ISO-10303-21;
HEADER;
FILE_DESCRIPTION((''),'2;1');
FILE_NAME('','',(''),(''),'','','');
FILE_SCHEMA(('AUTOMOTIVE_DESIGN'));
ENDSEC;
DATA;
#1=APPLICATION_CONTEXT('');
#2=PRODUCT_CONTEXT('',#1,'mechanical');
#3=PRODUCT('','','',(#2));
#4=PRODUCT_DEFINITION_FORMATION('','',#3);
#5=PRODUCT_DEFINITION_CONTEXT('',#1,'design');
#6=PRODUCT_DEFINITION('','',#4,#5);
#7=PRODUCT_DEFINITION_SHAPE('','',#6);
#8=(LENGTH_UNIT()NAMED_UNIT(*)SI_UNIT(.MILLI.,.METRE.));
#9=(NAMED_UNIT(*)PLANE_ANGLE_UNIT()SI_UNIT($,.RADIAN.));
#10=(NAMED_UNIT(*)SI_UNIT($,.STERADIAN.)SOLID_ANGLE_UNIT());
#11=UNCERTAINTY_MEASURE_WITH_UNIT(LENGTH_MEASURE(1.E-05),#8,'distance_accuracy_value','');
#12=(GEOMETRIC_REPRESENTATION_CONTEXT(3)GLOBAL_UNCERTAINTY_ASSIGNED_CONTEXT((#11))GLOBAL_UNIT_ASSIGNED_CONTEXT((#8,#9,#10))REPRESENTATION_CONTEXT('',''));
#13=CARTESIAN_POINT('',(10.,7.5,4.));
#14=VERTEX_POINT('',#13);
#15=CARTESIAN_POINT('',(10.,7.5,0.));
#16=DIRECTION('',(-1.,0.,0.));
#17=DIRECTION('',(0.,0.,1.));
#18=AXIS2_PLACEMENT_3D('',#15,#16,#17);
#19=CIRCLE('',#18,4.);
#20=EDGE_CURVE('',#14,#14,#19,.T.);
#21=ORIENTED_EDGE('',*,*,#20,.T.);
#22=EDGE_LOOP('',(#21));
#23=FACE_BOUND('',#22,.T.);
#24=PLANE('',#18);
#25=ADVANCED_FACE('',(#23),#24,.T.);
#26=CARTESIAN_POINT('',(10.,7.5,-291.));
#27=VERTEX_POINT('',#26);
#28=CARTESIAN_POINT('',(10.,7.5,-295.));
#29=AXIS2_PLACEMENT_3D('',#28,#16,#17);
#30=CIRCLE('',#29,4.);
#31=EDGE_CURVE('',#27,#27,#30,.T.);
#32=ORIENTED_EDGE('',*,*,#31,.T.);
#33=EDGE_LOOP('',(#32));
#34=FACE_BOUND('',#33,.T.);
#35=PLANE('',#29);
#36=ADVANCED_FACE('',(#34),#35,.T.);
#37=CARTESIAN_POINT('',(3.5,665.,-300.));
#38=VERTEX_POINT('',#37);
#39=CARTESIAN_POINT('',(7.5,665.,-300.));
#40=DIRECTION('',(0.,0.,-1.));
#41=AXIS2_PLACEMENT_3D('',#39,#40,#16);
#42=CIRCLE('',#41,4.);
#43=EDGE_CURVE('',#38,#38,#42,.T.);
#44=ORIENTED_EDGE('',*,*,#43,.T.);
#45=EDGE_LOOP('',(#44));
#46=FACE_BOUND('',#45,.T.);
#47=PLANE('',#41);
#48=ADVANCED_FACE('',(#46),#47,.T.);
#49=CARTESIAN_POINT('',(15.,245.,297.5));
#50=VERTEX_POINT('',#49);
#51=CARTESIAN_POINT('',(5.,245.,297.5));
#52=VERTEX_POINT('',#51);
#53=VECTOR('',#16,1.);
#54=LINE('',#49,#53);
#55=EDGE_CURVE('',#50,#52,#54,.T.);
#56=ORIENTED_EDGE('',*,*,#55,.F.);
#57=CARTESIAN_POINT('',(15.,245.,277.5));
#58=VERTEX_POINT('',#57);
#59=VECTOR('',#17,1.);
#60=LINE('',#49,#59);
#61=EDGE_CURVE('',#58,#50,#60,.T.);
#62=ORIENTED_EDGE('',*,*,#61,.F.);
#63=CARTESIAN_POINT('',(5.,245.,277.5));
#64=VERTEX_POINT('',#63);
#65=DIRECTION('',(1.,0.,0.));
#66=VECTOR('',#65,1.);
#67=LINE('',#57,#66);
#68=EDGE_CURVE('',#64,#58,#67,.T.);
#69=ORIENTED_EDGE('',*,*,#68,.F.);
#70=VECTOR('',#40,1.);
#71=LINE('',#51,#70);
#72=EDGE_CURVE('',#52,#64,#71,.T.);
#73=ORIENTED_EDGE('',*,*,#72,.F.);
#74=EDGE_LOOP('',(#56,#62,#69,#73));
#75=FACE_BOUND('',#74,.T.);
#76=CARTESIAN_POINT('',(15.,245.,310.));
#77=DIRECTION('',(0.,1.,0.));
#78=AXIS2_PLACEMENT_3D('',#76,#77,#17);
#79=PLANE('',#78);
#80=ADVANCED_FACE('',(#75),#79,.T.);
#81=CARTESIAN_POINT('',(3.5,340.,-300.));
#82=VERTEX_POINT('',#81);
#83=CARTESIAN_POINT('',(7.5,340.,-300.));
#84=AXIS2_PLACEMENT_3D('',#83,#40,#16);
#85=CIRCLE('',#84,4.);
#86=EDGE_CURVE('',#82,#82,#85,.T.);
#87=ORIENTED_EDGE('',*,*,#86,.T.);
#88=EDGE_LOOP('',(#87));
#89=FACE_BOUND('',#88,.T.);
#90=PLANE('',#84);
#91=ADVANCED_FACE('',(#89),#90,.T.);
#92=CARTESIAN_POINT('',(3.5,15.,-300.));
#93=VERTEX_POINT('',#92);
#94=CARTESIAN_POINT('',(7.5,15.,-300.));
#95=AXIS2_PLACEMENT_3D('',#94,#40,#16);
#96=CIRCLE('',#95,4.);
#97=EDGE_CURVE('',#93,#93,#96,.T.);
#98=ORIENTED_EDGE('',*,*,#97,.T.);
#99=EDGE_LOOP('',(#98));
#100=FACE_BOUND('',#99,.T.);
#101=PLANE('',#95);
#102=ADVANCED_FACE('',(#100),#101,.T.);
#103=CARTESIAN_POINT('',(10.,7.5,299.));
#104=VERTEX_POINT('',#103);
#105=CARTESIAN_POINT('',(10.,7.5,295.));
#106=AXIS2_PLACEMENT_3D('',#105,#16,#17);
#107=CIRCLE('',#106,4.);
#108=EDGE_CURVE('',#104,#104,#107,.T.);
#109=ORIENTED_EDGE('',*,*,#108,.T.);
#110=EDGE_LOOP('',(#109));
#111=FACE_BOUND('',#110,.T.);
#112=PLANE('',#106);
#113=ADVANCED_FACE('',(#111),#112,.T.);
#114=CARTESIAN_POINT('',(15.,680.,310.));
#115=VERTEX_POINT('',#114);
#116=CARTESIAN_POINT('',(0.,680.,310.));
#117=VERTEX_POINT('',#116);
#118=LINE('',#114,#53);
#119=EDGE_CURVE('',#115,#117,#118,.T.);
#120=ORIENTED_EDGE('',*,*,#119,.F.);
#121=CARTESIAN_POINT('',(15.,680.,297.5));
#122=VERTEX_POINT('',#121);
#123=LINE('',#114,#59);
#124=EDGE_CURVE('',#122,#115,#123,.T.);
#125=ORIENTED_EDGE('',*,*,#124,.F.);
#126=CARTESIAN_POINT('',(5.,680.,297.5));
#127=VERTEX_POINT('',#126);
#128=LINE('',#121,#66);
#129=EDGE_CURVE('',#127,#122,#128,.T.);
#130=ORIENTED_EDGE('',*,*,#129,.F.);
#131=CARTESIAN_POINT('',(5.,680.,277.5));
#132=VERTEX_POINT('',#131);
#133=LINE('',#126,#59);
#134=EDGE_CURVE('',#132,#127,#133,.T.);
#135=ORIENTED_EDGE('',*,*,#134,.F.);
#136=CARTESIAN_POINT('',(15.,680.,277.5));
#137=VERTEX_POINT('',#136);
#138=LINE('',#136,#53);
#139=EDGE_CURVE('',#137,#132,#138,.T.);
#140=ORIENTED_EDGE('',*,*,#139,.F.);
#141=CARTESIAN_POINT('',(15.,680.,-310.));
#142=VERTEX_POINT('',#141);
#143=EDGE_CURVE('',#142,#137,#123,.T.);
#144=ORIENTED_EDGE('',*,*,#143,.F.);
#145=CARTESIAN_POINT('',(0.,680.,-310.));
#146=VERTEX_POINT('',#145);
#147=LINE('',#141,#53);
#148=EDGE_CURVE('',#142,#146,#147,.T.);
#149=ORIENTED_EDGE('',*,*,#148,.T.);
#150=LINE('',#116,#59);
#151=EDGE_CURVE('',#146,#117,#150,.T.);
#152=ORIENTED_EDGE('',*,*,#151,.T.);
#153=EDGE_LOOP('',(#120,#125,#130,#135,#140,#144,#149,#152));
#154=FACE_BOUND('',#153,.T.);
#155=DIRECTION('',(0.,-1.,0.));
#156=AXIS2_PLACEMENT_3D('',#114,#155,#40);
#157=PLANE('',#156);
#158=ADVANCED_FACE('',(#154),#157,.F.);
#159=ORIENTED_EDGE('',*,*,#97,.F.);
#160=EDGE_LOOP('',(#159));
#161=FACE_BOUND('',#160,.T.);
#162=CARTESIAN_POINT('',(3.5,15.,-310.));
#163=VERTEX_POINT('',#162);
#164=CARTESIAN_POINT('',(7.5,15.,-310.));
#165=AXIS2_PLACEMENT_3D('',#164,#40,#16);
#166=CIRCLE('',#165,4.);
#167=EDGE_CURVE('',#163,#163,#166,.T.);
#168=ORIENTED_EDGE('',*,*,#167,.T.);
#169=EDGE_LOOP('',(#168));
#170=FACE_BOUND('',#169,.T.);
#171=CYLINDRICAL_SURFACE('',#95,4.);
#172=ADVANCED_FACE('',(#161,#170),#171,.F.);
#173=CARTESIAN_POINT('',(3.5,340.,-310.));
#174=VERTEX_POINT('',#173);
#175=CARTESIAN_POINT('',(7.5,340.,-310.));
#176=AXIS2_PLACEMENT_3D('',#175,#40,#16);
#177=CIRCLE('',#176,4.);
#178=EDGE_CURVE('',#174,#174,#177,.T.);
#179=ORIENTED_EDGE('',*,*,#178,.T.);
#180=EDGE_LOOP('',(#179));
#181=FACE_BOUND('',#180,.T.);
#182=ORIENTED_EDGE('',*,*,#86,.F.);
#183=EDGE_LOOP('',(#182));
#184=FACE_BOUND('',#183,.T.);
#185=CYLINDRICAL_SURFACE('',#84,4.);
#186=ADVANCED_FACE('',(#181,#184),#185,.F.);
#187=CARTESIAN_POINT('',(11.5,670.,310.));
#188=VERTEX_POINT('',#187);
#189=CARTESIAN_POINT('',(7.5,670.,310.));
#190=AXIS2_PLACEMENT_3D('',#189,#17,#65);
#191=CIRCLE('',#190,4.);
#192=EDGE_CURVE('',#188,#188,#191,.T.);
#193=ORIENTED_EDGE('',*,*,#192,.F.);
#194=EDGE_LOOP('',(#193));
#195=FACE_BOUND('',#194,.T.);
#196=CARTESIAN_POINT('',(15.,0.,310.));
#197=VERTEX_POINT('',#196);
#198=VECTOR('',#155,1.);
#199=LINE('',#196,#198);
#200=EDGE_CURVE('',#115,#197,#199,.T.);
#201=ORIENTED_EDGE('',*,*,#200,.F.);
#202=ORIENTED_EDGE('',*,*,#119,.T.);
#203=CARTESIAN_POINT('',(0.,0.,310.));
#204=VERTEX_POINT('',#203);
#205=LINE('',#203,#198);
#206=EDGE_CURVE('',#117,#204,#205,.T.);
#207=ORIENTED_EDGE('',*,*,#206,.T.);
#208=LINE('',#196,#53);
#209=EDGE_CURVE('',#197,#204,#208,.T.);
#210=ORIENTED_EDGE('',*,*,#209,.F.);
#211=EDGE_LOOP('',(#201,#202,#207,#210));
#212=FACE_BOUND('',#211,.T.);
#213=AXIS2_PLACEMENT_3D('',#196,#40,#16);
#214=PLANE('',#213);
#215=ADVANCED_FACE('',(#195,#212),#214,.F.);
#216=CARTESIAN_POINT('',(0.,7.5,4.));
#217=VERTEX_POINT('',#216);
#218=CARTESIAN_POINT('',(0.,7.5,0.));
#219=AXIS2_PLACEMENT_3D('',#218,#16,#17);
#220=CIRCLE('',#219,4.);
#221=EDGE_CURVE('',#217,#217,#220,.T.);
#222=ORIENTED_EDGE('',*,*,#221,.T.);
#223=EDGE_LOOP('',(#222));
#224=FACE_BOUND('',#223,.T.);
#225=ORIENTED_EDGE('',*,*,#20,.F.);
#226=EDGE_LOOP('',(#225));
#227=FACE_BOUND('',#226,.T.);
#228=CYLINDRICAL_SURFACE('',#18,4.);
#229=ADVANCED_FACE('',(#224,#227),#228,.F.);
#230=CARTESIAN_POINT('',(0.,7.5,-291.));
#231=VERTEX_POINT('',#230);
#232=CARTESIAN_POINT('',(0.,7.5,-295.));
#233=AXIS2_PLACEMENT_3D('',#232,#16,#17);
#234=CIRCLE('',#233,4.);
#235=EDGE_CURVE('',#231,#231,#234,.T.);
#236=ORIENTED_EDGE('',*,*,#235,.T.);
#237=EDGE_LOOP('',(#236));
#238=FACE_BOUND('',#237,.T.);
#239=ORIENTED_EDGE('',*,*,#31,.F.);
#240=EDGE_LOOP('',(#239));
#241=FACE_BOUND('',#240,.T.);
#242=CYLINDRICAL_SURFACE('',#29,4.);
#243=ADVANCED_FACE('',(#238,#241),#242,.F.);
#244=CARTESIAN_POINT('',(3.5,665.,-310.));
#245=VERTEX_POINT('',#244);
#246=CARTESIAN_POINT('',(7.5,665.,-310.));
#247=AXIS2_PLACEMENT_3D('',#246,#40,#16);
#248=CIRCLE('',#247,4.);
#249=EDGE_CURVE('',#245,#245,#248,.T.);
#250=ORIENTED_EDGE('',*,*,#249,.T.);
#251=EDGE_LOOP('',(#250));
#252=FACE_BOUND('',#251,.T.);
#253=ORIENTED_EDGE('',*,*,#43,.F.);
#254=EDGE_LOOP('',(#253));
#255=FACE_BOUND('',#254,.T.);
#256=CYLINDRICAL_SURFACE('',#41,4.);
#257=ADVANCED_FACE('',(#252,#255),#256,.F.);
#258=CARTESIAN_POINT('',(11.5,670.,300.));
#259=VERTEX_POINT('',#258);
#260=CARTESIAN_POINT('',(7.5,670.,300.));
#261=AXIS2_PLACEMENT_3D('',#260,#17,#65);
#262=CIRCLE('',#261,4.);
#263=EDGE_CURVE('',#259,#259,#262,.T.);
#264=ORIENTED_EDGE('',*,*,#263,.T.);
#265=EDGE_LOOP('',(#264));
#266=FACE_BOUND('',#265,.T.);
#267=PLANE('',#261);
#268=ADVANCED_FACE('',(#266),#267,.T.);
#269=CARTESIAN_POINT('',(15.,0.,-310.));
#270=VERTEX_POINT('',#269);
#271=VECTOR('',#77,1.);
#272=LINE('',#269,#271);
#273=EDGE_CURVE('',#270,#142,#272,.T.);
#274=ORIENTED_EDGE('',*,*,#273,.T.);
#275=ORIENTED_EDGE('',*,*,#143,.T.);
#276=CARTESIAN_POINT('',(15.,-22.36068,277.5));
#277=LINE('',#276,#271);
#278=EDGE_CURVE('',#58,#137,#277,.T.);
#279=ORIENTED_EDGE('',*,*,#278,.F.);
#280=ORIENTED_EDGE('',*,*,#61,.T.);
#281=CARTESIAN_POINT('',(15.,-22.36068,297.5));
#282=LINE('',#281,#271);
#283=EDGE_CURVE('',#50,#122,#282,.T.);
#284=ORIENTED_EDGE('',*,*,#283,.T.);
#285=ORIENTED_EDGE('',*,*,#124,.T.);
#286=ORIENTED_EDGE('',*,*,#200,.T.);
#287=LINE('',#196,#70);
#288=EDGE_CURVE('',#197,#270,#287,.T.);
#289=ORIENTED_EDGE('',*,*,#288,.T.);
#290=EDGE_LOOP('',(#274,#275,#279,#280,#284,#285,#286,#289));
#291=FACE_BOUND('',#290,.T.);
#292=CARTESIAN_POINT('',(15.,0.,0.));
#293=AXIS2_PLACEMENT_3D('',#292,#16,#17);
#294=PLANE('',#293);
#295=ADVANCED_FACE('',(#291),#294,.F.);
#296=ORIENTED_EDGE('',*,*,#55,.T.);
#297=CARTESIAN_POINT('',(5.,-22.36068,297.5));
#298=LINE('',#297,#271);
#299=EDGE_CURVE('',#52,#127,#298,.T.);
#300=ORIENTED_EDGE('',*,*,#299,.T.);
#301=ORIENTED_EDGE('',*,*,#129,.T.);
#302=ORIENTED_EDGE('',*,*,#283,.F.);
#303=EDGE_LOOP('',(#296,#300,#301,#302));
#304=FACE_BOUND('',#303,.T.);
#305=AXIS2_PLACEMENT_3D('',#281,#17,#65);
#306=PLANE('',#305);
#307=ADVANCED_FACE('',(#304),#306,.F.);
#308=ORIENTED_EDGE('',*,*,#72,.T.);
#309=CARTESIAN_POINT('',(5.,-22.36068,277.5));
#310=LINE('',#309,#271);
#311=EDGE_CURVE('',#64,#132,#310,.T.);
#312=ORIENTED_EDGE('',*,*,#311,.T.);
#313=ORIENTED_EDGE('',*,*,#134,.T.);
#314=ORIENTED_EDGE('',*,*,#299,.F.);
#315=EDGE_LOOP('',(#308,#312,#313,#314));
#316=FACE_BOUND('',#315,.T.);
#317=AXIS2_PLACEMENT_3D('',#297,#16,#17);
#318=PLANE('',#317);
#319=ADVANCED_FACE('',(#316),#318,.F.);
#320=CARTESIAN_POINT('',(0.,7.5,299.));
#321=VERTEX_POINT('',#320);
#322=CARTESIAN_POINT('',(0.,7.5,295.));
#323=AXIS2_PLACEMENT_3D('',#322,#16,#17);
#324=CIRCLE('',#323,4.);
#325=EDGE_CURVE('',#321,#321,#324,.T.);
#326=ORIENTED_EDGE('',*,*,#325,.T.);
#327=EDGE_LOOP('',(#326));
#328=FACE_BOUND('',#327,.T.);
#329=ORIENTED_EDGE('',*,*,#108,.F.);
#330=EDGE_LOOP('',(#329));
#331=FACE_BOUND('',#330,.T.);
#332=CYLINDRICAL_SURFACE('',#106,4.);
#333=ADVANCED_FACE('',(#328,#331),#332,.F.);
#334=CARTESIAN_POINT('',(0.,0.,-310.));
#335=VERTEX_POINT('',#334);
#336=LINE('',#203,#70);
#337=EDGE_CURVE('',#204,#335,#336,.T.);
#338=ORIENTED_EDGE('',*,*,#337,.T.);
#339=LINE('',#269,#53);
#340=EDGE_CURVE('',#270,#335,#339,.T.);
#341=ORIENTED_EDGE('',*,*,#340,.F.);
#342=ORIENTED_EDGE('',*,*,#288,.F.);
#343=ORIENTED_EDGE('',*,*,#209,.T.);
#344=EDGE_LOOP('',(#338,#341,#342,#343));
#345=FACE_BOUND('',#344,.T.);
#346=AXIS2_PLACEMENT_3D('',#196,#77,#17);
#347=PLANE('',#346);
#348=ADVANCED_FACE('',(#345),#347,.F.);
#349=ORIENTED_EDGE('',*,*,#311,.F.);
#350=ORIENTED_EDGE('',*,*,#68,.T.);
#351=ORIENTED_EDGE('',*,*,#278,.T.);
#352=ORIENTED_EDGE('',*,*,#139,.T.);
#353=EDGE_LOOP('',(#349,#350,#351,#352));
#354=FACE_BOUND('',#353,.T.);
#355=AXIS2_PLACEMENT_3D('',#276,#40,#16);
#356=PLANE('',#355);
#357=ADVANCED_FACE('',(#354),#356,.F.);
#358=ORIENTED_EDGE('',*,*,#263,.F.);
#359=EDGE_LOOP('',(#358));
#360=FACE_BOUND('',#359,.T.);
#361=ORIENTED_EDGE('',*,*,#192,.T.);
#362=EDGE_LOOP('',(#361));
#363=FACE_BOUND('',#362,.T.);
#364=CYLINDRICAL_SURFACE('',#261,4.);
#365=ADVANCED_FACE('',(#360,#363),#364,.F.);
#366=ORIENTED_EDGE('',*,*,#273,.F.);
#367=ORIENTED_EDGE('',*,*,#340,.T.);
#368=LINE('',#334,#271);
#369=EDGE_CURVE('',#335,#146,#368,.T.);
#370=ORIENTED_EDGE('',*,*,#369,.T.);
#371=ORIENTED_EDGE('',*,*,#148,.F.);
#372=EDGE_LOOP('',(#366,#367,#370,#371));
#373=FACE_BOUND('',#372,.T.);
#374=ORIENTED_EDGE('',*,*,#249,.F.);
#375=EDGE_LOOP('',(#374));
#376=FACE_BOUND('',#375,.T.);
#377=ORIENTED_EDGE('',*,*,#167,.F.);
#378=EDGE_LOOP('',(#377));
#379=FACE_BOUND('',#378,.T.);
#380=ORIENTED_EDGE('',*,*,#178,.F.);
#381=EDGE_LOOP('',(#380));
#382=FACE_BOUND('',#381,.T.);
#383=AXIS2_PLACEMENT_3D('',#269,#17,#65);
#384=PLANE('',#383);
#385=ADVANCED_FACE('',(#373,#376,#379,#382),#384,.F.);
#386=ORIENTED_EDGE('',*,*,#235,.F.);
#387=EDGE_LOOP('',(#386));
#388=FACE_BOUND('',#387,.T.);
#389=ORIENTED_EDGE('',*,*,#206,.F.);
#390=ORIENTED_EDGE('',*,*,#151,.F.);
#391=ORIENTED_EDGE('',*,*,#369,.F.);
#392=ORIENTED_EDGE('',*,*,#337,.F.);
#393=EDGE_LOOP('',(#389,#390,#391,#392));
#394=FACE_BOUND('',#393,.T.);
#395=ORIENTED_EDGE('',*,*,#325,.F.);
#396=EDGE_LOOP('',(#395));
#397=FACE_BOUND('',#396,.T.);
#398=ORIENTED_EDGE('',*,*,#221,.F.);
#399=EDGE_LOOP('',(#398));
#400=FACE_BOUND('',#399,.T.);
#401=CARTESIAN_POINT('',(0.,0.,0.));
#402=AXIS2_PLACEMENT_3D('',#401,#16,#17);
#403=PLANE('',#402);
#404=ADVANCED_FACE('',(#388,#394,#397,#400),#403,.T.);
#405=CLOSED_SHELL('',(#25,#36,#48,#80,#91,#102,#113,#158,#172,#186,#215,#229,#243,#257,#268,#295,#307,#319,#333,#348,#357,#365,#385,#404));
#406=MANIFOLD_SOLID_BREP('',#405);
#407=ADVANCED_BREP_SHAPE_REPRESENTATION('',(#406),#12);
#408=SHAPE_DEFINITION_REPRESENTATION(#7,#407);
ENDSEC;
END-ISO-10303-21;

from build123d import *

# Parameters (mm, degrees)
SKETCH1_W           = 620
SKETCH1_H           = 680
BOSS_EXTRUDE1_DEPTH = 15
SKETCH2_R           = 4
CUT_EXTRUDE1_DEPTH  = 10
LPATTERN1_COUNT     = 3
LPATTERN1_PITCH     = 295
SKETCH3_R           = 4
CUT_EXTRUDE2_DEPTH  = 10
LPATTERN2_COUNT     = 3
LPATTERN2_PITCH     = 325
SKETCH7_R           = 4
CUT_EXTRUDE7_DEPTH  = 10
SKETCH8_W           = 10
SKETCH8_H           = 20
CUT_EXTRUDE8_DEPTH  = 435


with BuildPart() as part:
    # Sketch1 → Boss-Extrude1 (new body)
    with BuildSketch(Plane(origin=(0, 0, 0), x_dir=(0, 0, -1), z_dir=(1, 0, 0))):
        with Locations((0, 340)):
            Rectangle(SKETCH1_W, SKETCH1_H)
    extrude(amount=BOSS_EXTRUDE1_DEPTH)

    # Sketch2 → Cut-Extrude1 (cut)
    with BuildSketch(Plane.ZY):
        with Locations((295, 7.5)):
            Circle(SKETCH2_R)
    cut_extrude1 = extrude(amount=-CUT_EXTRUDE1_DEPTH, mode=Mode.SUBTRACT)

    # LPattern1: Cut-Extrude1 ×3
    with Locations(*[(0, 0, -i * LPATTERN1_PITCH) for i in range(1, LPATTERN1_COUNT)]):
        add(cut_extrude1, mode=Mode.SUBTRACT)

    # Sketch3 → Cut-Extrude2 (cut)
    with BuildSketch(Plane(origin=(0, 0, -310), x_dir=(-1, 0, 0), z_dir=(0, 0, -1))):
        with Locations((-7.5, 15)):
            Circle(SKETCH3_R)
    cut_extrude2 = extrude(amount=-CUT_EXTRUDE2_DEPTH, mode=Mode.SUBTRACT)

    # LPattern2: Cut-Extrude2 ×3
    with Locations(*[(0, i * LPATTERN2_PITCH, 0) for i in range(1, LPATTERN2_COUNT)]):
        add(cut_extrude2, mode=Mode.SUBTRACT)

    # Sketch7 → Cut-Extrude7 (cut)
    with BuildSketch(Plane.XY.offset(310)):
        with Locations((7.5, 670)):
            Circle(SKETCH7_R)
    extrude(amount=-CUT_EXTRUDE7_DEPTH, mode=Mode.SUBTRACT)

    # Sketch8 → Cut-Extrude8 (cut)
    with BuildSketch(Plane(origin=(0, 680, 0), x_dir=(1, 0, 0), z_dir=(0, 1, 0))):
        with Locations((10, -287.5)):
            Rectangle(SKETCH8_W, SKETCH8_H)
    extrude(amount=-CUT_EXTRUDE8_DEPTH, mode=Mode.SUBTRACT)


solid = part.part
